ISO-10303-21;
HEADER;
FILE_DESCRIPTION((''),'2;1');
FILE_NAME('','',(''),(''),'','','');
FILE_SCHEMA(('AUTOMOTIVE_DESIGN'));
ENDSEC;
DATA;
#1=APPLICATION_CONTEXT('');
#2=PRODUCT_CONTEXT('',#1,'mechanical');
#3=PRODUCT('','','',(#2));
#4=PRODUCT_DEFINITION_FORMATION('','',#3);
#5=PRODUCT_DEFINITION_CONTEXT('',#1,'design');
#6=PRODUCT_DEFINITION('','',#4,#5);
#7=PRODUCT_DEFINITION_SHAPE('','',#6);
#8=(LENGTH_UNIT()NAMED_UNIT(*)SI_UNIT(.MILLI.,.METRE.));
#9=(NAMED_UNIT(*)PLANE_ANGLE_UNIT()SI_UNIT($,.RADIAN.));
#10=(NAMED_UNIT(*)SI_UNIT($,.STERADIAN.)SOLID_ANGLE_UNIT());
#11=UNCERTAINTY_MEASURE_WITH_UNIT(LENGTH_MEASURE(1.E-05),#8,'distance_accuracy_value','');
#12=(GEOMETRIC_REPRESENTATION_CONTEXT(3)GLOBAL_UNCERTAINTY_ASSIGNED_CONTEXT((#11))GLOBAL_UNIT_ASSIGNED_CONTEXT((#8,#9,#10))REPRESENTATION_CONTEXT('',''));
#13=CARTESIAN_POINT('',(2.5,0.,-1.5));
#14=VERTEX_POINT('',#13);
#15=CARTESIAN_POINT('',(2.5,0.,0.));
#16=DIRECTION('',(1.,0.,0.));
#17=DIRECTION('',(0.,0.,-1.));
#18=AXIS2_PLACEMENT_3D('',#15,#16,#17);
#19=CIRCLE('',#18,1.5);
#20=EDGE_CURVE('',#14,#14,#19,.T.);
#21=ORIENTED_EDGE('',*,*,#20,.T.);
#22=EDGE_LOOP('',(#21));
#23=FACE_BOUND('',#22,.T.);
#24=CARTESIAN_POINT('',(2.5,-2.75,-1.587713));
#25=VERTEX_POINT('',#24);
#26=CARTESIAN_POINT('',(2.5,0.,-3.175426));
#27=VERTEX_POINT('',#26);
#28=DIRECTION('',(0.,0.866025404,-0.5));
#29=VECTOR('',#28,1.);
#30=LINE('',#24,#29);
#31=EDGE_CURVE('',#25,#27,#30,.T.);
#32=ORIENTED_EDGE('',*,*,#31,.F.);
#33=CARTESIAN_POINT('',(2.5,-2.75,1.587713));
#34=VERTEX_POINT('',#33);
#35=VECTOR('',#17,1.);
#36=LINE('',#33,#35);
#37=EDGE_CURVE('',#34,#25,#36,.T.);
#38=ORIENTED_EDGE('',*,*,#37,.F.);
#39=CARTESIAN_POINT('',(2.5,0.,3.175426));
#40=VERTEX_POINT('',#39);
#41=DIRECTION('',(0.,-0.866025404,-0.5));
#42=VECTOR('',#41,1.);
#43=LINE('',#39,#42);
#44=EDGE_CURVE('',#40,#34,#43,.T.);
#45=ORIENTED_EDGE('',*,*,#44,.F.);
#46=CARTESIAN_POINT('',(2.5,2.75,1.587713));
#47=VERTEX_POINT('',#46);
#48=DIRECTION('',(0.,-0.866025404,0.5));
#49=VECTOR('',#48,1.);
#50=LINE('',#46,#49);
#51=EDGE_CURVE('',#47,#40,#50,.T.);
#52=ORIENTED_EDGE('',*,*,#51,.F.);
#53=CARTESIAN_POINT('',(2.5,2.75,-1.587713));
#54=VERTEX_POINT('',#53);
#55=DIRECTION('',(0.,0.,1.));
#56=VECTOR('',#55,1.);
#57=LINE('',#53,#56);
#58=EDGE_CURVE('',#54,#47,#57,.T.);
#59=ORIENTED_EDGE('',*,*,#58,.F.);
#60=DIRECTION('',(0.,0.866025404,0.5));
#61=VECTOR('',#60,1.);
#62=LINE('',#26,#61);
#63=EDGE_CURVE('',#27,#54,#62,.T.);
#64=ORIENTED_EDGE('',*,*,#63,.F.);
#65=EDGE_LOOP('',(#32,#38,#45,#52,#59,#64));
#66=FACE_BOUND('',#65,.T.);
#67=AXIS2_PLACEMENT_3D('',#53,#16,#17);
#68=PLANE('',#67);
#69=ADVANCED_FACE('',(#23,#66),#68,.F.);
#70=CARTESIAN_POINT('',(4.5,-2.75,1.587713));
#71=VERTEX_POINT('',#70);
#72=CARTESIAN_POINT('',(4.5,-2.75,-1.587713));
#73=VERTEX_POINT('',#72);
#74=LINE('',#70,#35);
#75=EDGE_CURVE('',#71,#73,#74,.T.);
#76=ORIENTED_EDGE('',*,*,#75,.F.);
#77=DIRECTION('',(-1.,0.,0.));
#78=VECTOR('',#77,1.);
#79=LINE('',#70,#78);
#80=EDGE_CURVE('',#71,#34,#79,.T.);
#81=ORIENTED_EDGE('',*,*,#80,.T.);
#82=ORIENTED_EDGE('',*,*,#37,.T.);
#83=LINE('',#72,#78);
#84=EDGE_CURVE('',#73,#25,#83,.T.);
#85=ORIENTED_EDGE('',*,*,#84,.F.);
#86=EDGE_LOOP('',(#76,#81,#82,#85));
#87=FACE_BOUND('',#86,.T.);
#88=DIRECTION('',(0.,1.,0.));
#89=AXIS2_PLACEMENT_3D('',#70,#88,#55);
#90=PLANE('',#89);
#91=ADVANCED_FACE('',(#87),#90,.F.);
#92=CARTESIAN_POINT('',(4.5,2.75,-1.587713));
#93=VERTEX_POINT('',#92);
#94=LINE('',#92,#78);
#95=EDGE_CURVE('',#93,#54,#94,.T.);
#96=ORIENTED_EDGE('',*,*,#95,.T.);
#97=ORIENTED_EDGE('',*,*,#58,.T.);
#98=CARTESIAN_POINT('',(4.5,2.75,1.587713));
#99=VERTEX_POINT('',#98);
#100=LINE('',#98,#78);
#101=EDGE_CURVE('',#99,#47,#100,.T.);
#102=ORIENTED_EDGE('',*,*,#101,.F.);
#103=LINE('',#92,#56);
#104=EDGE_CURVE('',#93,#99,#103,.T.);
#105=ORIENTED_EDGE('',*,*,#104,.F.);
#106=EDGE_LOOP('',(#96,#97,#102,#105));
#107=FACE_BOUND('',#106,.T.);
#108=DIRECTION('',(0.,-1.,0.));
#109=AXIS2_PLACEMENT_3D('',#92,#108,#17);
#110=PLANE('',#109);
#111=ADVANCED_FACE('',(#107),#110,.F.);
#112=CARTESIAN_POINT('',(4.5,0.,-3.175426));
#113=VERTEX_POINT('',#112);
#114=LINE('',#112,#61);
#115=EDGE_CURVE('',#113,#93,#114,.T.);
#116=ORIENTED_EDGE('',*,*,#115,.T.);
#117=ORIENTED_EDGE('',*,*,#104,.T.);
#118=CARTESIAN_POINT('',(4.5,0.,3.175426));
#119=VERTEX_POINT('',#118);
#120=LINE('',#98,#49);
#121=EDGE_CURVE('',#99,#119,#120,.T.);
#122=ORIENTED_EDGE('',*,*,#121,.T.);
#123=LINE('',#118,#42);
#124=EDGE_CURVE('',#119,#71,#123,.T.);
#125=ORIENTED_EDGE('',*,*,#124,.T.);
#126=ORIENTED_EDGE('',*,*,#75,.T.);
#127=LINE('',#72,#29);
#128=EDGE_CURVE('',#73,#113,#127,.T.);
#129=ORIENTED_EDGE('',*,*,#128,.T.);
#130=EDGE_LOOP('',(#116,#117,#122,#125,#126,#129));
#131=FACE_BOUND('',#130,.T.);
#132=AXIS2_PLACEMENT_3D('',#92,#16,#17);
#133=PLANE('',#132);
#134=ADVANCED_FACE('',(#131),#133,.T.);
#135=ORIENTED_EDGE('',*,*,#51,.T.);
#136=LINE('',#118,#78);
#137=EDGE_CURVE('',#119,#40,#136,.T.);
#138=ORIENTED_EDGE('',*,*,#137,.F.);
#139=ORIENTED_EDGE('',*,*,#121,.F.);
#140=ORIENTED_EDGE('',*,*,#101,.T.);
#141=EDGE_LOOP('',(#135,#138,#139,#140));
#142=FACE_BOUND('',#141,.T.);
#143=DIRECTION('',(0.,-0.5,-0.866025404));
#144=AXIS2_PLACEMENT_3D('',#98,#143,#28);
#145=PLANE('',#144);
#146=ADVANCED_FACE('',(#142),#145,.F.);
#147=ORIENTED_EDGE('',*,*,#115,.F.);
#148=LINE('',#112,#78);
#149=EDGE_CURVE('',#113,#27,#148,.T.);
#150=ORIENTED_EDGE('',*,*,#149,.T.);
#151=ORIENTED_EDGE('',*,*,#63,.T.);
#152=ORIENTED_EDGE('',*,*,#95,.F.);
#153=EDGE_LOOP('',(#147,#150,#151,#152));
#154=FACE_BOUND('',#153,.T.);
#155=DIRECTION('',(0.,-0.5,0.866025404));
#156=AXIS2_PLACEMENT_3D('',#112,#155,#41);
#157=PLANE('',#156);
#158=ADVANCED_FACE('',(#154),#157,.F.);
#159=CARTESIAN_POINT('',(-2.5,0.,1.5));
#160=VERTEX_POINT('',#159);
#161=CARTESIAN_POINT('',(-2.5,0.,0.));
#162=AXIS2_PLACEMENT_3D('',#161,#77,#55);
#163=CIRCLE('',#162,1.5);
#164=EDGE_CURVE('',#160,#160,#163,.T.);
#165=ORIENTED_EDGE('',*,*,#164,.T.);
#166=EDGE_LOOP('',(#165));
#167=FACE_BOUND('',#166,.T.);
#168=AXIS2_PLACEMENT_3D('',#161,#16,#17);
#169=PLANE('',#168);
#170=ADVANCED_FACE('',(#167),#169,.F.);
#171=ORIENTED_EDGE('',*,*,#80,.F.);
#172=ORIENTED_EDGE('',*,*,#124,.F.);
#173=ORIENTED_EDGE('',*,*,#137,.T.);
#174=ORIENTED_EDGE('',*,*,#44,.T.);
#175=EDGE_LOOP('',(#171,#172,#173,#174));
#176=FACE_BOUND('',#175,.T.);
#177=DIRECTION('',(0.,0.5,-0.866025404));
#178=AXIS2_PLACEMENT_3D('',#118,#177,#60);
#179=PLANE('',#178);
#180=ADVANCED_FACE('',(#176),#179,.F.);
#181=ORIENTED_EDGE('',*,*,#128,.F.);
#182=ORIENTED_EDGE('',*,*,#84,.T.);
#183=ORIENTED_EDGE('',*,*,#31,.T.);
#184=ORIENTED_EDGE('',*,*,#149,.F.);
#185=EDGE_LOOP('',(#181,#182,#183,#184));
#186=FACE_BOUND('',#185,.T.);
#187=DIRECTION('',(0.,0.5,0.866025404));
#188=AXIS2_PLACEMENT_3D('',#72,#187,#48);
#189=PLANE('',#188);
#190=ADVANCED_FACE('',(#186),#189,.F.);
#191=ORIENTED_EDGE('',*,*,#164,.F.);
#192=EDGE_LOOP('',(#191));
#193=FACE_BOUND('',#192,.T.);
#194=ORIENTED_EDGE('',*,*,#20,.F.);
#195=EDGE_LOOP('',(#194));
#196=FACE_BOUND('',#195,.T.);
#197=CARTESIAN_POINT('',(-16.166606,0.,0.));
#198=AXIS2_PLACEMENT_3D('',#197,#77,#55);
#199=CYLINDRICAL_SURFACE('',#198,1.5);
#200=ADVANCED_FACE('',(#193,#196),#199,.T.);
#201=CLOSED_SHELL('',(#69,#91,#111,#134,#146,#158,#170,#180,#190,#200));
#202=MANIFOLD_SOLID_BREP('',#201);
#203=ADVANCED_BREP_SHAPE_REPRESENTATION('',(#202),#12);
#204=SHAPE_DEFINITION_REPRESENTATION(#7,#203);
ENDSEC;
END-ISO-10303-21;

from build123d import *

# Parameters (mm, degrees)
SKETCH1_W           = 5
SKETCH1_H           = 1.5
BOSS_EXTRUDE1_DEPTH = 2


with BuildPart() as part:
    # Sketch1 → Revolve1 (revolve)
    with BuildSketch(Plane.XY):
        with Locations((0, 0.75)):
            Rectangle(SKETCH1_W, SKETCH1_H)
    revolve(axis=Axis((-16.166606446, 0, 0), (1, 0, 0)))

    # Sketch2 → Boss-Extrude1 (add)
    with BuildSketch(Plane(origin=(2.5, 0, 0), x_dir=(0, 0, -1), z_dir=(1, 0, 0))):
        Polygon((1.58771324, 2.75), (-1.58771324, 2.75), (-3.175426481, 0), (-1.58771324, -2.75), (1.58771324, -2.75), (3.175426481, 0), align=None)
    extrude(amount=BOSS_EXTRUDE1_DEPTH)


solid = part.part
